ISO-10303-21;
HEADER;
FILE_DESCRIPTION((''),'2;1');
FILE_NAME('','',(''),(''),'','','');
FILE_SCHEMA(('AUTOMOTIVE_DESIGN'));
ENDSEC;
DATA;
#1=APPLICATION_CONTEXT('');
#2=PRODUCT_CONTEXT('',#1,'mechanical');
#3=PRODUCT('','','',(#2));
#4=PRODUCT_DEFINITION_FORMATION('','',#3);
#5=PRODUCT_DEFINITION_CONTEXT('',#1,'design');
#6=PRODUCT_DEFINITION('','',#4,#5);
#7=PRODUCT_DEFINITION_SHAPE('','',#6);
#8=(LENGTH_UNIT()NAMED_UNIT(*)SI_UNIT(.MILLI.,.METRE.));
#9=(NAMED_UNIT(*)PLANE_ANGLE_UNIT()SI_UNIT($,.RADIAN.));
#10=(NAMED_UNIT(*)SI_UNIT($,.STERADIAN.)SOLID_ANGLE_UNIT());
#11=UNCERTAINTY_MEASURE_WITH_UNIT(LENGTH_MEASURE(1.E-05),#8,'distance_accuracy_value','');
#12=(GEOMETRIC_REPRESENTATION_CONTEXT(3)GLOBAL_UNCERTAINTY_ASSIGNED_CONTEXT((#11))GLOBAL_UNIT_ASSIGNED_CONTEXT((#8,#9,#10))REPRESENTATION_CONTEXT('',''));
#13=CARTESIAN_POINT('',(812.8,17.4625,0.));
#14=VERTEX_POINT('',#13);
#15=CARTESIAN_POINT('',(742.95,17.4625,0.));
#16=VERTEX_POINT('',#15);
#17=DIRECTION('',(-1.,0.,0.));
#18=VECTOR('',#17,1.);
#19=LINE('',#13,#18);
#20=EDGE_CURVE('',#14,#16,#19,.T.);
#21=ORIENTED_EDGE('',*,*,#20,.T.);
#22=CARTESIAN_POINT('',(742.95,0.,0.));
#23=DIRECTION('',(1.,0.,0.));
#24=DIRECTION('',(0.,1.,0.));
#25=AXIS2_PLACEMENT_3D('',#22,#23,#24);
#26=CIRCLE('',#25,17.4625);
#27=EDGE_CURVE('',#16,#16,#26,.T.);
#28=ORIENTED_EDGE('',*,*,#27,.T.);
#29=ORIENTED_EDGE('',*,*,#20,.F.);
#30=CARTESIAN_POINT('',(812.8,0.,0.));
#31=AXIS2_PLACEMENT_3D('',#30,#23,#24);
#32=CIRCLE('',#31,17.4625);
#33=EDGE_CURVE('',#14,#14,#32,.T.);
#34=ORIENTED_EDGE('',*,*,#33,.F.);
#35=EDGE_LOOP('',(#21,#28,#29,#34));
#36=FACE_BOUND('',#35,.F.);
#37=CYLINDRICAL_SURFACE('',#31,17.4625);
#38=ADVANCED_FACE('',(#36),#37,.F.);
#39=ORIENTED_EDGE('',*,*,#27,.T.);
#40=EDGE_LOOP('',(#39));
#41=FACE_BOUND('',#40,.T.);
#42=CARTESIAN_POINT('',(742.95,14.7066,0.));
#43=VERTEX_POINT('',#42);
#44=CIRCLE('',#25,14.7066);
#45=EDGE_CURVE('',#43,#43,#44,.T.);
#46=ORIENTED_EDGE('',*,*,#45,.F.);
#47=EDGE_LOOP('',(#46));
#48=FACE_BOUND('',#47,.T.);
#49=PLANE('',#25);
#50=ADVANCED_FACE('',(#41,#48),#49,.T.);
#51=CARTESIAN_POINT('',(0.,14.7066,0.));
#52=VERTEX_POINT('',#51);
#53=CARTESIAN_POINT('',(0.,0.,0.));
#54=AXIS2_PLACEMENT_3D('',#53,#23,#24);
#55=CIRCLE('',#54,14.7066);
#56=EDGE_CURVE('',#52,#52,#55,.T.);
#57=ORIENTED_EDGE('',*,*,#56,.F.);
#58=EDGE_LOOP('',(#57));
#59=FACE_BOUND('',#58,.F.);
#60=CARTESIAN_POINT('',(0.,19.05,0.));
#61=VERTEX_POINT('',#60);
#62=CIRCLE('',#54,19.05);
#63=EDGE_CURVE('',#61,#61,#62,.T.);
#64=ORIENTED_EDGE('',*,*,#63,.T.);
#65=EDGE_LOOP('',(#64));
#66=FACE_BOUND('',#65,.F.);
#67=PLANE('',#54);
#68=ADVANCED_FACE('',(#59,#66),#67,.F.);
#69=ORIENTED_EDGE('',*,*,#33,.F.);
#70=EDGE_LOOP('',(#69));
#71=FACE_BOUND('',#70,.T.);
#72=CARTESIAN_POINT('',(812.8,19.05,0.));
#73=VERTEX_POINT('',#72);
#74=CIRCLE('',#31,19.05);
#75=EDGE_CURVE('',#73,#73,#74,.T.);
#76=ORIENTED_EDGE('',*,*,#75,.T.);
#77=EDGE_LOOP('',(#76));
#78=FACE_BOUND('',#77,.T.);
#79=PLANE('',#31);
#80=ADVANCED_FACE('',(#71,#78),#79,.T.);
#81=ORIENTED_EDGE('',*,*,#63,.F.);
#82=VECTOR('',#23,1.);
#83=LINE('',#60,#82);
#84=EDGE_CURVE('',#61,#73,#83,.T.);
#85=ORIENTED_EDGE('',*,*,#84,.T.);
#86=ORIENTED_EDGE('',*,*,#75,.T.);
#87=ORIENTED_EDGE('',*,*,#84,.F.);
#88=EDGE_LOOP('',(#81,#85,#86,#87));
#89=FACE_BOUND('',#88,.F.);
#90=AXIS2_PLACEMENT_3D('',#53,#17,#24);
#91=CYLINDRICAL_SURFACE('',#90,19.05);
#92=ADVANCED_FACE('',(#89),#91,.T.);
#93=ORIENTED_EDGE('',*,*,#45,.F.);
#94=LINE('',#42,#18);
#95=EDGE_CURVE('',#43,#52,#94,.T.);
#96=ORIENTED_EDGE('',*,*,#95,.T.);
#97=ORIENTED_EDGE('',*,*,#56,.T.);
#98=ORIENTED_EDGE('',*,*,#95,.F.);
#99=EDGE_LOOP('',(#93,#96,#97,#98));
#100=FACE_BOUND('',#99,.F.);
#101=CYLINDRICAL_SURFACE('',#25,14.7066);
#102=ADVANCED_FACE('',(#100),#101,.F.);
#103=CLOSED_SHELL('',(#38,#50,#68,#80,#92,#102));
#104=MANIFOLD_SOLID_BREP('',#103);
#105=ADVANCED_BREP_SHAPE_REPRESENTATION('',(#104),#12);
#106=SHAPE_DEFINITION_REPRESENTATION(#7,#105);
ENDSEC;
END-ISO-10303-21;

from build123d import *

# Parameters (mm, degrees)
F0_R     = 19.05
F1_DEPTH = 812.8
F2_R     = 17.4625
F3_DEPTH = 69.85
F4_R     = 14.7066
F5_DEPTH = 742.951


with BuildPart() as f1:
    # F0 (on Right) → F1 (new body)
    with BuildSketch(Plane.YZ):
        Circle(F0_R)
    extrude(amount=F1_DEPTH)

    # F2 (on face) → F3 (cut)
    with BuildSketch(Plane.YZ.offset(812.8)):
        Circle(F2_R)
    extrude(amount=-F3_DEPTH, mode=Mode.SUBTRACT)

    # F4 (on face) → F5 (cut, through all)
    with BuildSketch(Plane.YZ.offset(742.95)):
        Circle(F4_R)
    extrude(amount=-F5_DEPTH, mode=Mode.SUBTRACT)


solid = f1.part
